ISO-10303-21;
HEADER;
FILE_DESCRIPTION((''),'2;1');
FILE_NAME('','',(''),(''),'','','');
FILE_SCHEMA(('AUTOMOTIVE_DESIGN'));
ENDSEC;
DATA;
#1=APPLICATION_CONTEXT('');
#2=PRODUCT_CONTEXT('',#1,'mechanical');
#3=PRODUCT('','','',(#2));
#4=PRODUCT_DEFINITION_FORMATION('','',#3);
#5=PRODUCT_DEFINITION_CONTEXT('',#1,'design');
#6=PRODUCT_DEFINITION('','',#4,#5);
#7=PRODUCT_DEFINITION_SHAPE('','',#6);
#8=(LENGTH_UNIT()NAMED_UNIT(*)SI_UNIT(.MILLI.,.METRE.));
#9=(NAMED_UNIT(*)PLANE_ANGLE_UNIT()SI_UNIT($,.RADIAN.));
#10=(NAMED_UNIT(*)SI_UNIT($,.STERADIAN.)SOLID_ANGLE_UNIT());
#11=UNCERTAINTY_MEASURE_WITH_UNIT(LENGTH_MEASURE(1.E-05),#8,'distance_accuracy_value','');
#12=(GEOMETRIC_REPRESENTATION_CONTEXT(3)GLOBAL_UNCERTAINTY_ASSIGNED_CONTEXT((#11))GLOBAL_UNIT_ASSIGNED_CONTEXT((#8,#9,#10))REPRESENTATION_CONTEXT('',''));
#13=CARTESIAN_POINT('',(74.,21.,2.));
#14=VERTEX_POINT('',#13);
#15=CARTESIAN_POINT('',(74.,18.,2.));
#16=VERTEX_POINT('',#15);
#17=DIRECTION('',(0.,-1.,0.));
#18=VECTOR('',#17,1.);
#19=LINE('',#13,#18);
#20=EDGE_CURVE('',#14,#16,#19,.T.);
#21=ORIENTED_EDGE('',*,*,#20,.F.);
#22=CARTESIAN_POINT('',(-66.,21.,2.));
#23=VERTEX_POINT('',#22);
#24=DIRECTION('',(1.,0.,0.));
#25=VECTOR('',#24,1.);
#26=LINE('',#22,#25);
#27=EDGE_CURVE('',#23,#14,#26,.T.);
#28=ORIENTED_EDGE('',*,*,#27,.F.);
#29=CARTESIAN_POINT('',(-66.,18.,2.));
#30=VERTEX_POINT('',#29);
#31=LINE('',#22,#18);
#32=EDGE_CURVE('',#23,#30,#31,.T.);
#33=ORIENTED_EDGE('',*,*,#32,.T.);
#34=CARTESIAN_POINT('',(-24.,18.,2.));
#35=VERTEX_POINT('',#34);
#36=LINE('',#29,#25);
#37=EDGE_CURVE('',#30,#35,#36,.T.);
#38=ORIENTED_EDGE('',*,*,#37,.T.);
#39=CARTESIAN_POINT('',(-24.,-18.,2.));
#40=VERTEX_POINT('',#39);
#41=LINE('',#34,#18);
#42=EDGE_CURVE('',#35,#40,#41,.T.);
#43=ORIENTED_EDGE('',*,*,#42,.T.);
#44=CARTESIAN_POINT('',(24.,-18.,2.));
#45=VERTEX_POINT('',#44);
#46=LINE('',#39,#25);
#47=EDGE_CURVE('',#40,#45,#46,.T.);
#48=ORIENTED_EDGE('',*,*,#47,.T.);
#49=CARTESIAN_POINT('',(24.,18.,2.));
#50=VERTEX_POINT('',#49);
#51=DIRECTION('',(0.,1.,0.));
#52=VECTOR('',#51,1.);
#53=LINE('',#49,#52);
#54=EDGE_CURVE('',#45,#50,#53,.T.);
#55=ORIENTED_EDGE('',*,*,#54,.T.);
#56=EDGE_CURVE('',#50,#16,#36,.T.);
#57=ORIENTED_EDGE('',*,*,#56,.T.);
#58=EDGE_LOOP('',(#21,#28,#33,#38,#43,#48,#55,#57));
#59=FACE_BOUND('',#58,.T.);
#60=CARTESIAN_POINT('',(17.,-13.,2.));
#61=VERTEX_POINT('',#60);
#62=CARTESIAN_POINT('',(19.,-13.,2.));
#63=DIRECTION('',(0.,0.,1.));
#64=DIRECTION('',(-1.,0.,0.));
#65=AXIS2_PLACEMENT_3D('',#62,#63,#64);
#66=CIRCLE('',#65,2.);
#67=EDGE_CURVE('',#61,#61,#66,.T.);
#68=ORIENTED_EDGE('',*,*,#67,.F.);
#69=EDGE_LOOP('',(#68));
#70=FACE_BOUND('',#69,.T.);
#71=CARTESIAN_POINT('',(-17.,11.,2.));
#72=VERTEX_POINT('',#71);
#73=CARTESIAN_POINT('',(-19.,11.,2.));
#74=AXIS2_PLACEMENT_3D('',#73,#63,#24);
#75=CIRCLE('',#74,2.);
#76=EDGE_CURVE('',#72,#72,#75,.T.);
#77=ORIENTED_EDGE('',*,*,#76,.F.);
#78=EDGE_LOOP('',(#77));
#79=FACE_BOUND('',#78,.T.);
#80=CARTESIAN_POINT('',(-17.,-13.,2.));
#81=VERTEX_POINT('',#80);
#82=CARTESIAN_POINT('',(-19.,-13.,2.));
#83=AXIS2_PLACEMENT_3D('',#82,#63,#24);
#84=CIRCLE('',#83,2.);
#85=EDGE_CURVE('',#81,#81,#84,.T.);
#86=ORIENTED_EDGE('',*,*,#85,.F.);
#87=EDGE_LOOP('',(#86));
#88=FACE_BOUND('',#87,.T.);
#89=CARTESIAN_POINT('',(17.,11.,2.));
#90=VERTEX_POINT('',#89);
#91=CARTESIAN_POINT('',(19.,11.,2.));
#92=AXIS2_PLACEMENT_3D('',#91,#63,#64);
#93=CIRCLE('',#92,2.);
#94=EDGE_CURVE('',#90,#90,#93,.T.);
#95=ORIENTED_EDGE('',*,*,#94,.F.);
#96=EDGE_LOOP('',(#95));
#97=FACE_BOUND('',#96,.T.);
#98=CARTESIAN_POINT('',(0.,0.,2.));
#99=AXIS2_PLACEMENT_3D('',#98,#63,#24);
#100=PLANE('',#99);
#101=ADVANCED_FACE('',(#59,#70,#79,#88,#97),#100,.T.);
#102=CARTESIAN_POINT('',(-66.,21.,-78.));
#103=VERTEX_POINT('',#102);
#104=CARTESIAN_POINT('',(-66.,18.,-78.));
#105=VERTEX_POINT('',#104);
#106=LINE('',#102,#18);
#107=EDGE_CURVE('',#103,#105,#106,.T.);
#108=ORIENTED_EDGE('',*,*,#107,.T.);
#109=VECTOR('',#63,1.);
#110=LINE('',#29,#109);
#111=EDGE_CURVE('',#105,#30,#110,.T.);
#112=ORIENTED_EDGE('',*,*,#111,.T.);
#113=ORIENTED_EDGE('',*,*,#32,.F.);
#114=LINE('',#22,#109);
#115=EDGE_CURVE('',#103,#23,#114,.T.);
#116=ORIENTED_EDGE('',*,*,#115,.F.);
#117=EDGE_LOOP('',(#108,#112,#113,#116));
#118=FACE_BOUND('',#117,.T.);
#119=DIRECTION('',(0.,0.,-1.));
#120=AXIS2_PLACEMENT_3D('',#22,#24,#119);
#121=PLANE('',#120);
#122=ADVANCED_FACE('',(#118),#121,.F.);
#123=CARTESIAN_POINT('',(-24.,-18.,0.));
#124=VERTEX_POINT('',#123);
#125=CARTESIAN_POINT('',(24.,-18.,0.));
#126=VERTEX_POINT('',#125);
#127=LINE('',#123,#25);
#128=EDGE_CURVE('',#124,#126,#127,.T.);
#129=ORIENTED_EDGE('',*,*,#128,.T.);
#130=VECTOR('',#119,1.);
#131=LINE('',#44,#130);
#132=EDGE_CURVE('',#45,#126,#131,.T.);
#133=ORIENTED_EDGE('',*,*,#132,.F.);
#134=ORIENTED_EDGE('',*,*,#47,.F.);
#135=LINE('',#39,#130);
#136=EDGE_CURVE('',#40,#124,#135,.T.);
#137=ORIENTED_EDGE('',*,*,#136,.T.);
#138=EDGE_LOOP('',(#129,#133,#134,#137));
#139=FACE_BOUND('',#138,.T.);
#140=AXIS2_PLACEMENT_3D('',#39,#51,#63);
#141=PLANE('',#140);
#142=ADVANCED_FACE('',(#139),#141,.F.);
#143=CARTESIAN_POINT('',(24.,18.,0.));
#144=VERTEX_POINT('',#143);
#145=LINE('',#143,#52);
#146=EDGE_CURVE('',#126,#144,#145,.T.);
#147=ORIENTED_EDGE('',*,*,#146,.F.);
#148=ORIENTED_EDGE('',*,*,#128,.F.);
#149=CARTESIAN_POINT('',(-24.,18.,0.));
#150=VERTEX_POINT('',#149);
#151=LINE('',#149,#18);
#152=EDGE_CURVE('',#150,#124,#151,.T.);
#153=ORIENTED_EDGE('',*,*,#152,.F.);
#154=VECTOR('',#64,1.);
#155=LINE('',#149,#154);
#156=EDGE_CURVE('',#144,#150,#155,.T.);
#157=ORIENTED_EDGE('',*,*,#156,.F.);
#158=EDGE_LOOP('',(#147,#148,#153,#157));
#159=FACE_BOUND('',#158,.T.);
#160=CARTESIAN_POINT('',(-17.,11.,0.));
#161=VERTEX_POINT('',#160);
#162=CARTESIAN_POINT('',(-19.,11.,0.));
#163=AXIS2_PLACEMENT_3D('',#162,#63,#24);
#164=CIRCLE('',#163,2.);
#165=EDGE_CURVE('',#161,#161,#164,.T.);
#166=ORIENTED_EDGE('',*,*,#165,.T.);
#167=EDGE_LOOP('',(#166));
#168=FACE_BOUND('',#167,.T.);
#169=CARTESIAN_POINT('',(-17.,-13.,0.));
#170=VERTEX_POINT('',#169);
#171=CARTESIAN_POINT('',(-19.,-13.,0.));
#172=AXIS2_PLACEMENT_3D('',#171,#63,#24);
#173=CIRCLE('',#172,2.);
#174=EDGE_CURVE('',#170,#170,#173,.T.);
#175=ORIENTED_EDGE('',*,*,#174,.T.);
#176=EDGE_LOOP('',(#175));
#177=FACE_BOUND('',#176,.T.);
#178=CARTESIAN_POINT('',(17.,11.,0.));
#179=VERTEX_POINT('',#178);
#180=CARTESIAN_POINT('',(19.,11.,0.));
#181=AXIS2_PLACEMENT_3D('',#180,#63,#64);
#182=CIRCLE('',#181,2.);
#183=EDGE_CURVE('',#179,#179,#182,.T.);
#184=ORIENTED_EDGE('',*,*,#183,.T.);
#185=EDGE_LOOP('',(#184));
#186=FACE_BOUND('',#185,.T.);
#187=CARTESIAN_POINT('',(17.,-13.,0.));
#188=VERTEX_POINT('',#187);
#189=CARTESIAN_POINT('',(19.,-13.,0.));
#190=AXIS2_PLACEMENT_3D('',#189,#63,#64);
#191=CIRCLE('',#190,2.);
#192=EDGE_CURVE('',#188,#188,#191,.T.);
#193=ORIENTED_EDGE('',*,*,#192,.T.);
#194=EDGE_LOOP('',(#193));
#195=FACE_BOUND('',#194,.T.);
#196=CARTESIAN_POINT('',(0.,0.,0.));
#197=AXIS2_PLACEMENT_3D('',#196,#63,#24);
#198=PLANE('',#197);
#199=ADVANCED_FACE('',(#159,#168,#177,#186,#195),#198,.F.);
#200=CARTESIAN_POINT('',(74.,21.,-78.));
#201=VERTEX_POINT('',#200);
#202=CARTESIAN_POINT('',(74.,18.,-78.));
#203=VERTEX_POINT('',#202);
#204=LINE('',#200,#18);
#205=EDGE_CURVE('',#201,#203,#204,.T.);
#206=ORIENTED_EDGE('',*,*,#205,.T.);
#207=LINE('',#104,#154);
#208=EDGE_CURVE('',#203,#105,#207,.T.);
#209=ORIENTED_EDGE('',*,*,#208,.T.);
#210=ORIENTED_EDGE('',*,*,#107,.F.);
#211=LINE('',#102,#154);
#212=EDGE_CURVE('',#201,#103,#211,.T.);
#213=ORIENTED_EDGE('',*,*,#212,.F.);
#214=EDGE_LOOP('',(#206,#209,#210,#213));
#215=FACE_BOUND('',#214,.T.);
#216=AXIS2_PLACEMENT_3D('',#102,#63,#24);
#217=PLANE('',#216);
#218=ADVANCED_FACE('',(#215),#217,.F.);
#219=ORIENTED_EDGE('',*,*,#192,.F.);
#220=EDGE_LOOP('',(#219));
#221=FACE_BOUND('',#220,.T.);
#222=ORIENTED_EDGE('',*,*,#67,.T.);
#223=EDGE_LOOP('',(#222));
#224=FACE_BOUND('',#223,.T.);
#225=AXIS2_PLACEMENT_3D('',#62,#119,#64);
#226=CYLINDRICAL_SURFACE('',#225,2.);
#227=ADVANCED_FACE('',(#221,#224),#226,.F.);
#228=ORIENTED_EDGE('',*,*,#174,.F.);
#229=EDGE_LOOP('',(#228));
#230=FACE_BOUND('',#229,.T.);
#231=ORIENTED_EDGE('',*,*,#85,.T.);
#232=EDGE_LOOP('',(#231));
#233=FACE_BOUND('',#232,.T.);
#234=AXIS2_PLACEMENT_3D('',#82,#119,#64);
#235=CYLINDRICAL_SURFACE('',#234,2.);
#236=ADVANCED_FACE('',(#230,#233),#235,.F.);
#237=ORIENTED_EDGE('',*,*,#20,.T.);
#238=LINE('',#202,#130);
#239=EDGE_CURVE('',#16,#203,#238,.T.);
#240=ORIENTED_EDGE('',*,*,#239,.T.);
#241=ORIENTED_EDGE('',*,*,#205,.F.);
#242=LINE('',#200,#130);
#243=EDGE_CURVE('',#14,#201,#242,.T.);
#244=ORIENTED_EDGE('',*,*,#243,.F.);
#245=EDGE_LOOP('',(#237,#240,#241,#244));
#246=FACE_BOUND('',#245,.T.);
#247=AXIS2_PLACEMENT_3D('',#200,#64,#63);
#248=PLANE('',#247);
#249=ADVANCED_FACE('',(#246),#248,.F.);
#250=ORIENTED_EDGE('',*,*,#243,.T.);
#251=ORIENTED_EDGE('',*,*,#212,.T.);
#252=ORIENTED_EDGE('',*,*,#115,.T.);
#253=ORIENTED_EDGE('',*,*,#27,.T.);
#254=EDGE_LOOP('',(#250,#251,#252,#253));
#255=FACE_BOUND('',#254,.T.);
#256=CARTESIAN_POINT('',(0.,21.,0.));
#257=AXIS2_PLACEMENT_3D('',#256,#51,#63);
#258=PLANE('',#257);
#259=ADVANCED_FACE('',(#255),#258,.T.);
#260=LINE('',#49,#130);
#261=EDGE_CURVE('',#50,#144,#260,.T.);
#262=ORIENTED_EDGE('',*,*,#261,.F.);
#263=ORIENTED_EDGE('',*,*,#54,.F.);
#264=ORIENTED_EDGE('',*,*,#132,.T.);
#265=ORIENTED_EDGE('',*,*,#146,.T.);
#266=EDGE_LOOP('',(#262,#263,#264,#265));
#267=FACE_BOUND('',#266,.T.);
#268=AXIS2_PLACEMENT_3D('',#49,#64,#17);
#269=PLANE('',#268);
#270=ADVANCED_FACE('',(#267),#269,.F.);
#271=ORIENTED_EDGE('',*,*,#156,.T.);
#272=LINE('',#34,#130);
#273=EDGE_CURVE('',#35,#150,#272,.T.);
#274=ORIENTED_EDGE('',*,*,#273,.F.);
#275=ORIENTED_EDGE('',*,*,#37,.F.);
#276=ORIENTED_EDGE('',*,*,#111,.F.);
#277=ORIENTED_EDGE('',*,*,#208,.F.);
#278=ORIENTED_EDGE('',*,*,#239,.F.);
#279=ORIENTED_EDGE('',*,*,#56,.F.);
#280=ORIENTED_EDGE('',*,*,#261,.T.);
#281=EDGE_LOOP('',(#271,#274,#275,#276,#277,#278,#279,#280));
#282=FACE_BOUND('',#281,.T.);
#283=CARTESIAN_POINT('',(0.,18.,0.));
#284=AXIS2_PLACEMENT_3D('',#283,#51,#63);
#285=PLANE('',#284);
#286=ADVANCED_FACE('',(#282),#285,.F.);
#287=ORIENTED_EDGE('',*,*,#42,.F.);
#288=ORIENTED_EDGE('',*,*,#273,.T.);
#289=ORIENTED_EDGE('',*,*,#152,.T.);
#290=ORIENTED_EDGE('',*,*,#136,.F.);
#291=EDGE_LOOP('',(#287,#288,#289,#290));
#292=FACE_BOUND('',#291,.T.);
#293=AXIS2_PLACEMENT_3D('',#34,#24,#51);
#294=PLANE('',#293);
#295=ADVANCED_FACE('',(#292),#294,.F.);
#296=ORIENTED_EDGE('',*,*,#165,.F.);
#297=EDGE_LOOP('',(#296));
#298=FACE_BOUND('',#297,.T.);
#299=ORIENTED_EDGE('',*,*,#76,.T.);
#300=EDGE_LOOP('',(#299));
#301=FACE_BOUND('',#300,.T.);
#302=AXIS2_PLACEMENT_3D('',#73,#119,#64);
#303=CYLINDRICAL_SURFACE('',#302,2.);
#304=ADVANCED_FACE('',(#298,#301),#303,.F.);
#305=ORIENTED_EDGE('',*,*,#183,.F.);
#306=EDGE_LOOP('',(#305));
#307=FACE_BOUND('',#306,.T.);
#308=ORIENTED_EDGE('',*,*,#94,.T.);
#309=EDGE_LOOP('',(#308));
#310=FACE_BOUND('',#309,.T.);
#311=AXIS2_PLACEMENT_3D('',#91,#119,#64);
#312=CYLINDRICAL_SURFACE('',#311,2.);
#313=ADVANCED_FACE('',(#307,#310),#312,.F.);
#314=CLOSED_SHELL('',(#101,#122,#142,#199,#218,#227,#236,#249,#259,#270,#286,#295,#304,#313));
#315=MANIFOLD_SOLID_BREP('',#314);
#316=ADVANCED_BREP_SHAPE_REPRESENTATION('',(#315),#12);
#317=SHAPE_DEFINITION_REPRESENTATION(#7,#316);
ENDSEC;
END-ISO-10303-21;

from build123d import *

# Parameters (mm, degrees)
SKETCH1_W           = 48
SKETCH1_H           = 36
SKETCH1_R           = 2
BOSS_EXTRUDE1_DEPTH = 2
SKETCH2_W           = 140
SKETCH2_H           = 80
BOSS_EXTRUDE2_DEPTH = 3


with BuildPart() as part:
    # Sketch1 → Boss-Extrude1 (new body)
    with BuildSketch(Plane.XY):
        Rectangle(SKETCH1_W, SKETCH1_H)
        with Locations((-19, 11)):
            Circle(SKETCH1_R, mode=Mode.SUBTRACT)
        with Locations((-19, -13)):
            Circle(SKETCH1_R, mode=Mode.SUBTRACT)
        with Locations((19, -13)):
            Circle(SKETCH1_R, mode=Mode.SUBTRACT)
        with Locations((19, 11)):
            Circle(SKETCH1_R, mode=Mode.SUBTRACT)
    extrude(amount=BOSS_EXTRUDE1_DEPTH)

    # Sketch2 → Boss-Extrude2 (add)
    with BuildSketch(Plane(origin=(0, 18, 0), x_dir=(1, 0, 0), z_dir=(0, 1, 0))):
        with Locations((4, 38)):
            Rectangle(SKETCH2_W, SKETCH2_H)
    extrude(amount=BOSS_EXTRUDE2_DEPTH)


solid = part.part
